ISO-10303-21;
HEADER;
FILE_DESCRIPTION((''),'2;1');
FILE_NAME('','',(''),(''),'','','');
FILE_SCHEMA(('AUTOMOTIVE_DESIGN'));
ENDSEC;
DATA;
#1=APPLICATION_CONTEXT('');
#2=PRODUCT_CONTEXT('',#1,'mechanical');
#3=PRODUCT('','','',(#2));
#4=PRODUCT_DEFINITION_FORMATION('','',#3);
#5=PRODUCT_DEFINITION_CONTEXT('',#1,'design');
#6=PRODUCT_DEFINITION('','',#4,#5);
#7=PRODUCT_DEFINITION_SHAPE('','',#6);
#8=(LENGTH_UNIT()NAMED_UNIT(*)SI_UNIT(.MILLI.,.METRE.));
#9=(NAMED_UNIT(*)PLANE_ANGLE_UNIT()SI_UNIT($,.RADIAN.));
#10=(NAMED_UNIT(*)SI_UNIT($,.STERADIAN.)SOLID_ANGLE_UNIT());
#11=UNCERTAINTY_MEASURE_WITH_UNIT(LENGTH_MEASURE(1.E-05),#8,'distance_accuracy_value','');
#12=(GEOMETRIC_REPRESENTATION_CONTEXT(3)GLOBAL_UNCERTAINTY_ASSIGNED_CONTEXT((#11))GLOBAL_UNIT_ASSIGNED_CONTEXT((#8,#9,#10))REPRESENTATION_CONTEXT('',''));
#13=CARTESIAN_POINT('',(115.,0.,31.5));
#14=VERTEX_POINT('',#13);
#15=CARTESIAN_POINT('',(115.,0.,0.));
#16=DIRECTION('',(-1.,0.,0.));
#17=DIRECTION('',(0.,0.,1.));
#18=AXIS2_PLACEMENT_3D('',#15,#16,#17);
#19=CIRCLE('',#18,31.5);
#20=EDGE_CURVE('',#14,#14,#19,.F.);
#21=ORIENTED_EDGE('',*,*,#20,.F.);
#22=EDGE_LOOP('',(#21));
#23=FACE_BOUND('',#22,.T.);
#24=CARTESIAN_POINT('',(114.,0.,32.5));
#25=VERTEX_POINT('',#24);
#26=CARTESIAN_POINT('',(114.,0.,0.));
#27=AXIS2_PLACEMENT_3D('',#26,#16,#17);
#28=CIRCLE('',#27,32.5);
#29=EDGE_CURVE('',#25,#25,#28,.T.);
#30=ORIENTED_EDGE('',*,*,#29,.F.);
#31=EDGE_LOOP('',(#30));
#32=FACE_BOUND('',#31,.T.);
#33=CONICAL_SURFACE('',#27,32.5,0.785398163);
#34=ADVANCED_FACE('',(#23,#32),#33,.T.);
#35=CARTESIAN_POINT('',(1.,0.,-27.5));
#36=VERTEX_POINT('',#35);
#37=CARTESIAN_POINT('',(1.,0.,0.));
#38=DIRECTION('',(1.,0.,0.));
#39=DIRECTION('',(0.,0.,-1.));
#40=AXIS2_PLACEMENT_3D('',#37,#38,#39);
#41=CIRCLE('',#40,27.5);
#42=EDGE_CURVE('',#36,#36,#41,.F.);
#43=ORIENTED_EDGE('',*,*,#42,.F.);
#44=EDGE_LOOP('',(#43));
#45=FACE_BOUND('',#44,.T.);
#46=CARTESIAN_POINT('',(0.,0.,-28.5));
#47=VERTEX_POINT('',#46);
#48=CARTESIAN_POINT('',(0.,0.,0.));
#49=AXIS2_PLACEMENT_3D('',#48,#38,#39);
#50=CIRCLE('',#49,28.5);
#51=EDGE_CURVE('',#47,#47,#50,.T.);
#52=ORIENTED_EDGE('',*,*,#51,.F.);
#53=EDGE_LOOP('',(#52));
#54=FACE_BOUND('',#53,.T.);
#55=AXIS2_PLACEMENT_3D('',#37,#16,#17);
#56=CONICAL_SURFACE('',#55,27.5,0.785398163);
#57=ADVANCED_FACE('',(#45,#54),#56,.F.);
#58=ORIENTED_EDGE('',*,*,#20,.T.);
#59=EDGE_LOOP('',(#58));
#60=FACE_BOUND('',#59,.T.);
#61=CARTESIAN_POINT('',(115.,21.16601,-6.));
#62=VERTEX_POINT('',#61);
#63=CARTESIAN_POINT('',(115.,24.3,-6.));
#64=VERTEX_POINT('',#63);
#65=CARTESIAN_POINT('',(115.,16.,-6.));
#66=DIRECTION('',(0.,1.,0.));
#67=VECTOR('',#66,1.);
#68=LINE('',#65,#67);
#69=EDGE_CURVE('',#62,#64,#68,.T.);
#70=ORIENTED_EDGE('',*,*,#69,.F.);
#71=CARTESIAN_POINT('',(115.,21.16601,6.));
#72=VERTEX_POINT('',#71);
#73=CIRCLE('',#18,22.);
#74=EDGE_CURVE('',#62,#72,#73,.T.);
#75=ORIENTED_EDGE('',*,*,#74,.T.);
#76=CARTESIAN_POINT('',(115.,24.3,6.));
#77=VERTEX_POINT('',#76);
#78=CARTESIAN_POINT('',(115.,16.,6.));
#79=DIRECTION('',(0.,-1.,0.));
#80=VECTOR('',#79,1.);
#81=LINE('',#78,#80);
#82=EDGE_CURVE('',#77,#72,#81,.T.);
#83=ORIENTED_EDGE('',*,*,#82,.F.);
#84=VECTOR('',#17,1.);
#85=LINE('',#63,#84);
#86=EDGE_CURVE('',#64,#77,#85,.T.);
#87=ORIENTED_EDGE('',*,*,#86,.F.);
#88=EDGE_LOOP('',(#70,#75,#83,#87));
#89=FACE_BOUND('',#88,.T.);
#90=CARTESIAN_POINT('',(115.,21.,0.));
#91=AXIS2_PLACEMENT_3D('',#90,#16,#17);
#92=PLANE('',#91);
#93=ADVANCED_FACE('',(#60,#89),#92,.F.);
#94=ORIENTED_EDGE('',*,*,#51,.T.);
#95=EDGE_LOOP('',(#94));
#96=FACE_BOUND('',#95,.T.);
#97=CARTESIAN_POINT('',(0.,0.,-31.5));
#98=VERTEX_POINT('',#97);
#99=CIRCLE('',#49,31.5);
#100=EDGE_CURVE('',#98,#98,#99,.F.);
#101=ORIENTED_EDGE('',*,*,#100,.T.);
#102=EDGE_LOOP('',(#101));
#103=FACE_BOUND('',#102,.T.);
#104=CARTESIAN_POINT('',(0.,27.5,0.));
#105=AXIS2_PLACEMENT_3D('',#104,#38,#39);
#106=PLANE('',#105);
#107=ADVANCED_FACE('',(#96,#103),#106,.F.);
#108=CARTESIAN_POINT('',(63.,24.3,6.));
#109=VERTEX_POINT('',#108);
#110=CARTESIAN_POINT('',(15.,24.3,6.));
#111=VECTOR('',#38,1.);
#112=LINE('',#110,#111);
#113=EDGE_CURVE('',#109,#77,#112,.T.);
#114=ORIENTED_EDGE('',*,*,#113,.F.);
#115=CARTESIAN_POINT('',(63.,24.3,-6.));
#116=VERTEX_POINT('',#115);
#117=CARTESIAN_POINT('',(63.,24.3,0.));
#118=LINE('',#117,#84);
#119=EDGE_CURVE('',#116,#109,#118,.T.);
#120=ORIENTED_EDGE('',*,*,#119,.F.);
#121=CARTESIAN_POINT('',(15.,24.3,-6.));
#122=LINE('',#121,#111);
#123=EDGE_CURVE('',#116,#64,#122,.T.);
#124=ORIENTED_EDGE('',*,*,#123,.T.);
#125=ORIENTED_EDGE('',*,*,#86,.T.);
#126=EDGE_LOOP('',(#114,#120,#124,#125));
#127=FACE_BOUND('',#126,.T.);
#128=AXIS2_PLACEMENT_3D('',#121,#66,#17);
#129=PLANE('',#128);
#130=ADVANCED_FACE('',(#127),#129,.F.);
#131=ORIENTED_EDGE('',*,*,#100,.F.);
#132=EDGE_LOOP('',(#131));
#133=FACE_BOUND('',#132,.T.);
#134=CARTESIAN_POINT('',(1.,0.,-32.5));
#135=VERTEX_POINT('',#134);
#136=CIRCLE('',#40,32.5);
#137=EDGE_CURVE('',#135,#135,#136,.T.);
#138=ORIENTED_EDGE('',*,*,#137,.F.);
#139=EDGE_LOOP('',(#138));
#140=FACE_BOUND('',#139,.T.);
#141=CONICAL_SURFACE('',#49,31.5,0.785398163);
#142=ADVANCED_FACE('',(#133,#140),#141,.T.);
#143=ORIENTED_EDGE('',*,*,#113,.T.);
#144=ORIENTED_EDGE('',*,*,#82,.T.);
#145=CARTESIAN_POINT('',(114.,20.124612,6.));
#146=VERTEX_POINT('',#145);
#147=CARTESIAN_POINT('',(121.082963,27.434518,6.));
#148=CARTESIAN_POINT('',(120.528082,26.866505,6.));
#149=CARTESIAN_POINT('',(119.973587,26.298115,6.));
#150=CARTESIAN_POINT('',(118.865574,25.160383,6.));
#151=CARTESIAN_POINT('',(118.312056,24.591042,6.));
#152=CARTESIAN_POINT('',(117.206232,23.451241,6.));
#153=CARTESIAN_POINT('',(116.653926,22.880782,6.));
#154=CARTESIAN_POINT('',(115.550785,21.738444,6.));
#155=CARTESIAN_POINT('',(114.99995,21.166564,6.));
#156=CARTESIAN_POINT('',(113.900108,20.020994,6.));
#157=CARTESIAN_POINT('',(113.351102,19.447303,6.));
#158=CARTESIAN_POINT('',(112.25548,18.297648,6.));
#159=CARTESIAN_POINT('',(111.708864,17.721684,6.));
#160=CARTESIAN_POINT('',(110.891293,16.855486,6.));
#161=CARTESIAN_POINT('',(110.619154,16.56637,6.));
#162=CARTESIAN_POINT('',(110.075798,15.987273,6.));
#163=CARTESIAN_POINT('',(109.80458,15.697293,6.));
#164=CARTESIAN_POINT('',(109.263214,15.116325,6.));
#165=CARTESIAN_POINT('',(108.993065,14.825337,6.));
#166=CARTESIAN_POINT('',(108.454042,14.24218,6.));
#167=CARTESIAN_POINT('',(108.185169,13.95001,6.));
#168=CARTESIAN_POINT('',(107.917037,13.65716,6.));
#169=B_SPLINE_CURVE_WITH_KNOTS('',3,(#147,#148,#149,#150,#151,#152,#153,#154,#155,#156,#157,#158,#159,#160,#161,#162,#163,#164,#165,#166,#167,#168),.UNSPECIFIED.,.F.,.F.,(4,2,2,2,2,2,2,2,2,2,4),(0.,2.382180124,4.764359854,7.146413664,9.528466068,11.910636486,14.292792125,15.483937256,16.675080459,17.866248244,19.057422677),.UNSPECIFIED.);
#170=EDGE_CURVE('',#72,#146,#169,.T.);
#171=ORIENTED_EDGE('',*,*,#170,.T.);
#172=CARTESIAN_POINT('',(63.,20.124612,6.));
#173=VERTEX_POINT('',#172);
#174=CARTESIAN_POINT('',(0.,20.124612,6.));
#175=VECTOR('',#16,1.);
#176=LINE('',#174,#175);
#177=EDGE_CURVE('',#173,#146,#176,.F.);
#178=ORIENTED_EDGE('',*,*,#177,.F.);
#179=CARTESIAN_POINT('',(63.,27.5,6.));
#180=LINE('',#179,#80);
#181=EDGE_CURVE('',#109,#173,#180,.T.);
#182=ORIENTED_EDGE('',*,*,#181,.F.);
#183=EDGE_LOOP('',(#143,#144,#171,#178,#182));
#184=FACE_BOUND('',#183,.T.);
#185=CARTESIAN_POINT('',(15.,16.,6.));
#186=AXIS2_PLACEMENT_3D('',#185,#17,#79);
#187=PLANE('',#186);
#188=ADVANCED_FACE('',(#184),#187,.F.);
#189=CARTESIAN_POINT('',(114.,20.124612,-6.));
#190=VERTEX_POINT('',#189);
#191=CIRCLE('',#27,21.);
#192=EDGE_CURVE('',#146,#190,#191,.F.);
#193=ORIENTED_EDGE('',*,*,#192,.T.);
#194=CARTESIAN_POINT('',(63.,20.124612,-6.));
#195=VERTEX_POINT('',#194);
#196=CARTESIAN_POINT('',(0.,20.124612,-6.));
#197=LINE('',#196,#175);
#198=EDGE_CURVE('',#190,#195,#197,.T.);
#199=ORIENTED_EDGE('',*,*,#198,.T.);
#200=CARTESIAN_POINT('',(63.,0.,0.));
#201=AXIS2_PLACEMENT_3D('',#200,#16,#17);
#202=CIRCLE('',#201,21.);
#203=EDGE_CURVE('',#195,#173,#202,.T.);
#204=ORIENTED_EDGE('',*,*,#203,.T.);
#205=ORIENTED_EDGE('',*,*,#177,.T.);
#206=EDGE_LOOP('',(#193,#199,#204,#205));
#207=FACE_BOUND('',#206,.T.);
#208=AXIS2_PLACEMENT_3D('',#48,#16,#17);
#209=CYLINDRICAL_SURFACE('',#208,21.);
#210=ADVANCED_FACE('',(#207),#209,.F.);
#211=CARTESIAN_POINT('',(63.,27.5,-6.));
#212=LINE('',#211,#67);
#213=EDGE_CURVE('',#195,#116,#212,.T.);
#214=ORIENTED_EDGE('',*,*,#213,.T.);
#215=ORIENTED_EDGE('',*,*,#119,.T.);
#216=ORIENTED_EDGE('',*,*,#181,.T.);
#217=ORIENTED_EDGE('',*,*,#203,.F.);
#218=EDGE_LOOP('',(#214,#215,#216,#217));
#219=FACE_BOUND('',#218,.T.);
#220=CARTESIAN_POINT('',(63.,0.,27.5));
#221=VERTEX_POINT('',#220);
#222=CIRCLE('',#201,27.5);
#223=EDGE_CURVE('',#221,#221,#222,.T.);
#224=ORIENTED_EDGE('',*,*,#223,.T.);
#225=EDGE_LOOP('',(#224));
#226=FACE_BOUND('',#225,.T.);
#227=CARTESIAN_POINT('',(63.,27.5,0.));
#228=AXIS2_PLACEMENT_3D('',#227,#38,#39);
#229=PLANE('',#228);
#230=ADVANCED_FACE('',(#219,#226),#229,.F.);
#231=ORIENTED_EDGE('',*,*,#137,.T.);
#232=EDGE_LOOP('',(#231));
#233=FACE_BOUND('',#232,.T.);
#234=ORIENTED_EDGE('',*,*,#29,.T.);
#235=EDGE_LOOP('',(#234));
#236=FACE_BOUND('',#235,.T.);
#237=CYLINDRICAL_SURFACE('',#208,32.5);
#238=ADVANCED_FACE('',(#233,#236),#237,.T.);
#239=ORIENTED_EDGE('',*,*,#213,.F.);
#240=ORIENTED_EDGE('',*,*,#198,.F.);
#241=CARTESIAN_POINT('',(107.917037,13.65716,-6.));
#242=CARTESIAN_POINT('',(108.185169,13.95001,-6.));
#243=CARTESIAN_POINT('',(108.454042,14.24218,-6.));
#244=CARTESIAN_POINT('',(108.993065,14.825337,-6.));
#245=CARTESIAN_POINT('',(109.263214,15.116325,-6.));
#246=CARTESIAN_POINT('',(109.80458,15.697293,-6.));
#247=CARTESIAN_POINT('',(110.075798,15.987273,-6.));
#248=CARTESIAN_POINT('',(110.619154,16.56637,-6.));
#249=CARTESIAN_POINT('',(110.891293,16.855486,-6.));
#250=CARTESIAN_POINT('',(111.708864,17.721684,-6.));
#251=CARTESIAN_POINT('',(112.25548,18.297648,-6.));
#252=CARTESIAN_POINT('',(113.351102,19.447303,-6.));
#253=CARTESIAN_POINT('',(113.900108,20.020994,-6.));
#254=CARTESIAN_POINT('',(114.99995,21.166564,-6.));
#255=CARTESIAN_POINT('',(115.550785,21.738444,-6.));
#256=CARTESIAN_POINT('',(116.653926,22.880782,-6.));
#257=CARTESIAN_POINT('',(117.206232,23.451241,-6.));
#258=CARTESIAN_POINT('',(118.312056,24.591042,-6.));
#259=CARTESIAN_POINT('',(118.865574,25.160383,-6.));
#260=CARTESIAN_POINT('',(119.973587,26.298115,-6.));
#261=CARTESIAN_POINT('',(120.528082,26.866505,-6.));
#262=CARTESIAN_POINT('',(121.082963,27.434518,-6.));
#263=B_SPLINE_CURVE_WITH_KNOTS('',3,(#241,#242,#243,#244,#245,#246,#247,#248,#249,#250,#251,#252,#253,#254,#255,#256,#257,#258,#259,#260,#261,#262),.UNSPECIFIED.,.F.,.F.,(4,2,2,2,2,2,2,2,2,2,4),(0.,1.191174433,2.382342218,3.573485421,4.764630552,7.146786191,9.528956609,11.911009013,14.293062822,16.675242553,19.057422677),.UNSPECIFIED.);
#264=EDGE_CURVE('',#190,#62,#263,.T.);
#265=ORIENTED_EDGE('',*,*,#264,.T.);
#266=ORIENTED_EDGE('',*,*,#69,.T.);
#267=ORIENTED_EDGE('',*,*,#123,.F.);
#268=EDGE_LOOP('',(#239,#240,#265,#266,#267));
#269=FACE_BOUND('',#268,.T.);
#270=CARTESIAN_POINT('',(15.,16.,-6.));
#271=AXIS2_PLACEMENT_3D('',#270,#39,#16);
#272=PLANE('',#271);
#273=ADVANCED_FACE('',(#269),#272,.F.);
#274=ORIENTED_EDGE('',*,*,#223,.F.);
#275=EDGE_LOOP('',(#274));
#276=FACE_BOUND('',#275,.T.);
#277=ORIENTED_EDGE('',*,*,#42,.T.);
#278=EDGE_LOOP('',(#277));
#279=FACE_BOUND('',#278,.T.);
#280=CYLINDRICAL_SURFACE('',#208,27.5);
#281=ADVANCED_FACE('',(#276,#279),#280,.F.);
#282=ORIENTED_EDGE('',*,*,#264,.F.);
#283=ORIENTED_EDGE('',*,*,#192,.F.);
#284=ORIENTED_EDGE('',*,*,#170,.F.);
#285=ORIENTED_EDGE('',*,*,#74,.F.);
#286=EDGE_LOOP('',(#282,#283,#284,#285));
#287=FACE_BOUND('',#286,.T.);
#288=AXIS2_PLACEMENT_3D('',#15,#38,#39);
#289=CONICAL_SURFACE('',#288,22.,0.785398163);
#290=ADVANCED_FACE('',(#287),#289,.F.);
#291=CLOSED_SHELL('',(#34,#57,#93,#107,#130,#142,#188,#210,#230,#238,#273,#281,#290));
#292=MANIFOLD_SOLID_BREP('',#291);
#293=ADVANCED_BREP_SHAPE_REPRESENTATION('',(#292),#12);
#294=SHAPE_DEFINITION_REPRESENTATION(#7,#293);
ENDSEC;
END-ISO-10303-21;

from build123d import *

# Parameters (mm, degrees)
CHAMFER1_SIZE      = 1
SKETCH2_W          = 12
SKETCH2_H          = 8.3
CUT_EXTRUDE1_DEPTH = 100


with BuildPart() as part:
    # Sketch1 → Revolve1 (revolve)
    with BuildSketch(Plane.XY, mode=Mode.PRIVATE) as revolve1_sk:
        Polygon((0, 27.5), (0, 32.5), (115, 32.5), (115, 21), (63, 21), (63, 27.5), align=None)
    revolve(revolve1_sk.sketch.rotate(Axis((0, 0, 0), (1, 0, 0)), 90), axis=Axis((0, 0, 0), (1, 0, 0)))

    # Chamfer1
    chamfer1_edges = [part.edges().sort_by_distance(p)[0] for p in [
        (115, 0, -21),
        (115, 0, -32.5),
        (0, 0, -32.5),
        (0, 0, -27.5),
    ]]
    chamfer(chamfer1_edges, length=CHAMFER1_SIZE)

    # Sketch2 → Cut-Extrude1 (cut)
    with BuildSketch(Plane(origin=(115, 0, 0), x_dir=(0, 0, -1), z_dir=(1, 0, 0))):
        with Locations((0, 20.15)):
            Rectangle(SKETCH2_W, SKETCH2_H)
    extrude(amount=-CUT_EXTRUDE1_DEPTH, mode=Mode.SUBTRACT)


solid = part.part
